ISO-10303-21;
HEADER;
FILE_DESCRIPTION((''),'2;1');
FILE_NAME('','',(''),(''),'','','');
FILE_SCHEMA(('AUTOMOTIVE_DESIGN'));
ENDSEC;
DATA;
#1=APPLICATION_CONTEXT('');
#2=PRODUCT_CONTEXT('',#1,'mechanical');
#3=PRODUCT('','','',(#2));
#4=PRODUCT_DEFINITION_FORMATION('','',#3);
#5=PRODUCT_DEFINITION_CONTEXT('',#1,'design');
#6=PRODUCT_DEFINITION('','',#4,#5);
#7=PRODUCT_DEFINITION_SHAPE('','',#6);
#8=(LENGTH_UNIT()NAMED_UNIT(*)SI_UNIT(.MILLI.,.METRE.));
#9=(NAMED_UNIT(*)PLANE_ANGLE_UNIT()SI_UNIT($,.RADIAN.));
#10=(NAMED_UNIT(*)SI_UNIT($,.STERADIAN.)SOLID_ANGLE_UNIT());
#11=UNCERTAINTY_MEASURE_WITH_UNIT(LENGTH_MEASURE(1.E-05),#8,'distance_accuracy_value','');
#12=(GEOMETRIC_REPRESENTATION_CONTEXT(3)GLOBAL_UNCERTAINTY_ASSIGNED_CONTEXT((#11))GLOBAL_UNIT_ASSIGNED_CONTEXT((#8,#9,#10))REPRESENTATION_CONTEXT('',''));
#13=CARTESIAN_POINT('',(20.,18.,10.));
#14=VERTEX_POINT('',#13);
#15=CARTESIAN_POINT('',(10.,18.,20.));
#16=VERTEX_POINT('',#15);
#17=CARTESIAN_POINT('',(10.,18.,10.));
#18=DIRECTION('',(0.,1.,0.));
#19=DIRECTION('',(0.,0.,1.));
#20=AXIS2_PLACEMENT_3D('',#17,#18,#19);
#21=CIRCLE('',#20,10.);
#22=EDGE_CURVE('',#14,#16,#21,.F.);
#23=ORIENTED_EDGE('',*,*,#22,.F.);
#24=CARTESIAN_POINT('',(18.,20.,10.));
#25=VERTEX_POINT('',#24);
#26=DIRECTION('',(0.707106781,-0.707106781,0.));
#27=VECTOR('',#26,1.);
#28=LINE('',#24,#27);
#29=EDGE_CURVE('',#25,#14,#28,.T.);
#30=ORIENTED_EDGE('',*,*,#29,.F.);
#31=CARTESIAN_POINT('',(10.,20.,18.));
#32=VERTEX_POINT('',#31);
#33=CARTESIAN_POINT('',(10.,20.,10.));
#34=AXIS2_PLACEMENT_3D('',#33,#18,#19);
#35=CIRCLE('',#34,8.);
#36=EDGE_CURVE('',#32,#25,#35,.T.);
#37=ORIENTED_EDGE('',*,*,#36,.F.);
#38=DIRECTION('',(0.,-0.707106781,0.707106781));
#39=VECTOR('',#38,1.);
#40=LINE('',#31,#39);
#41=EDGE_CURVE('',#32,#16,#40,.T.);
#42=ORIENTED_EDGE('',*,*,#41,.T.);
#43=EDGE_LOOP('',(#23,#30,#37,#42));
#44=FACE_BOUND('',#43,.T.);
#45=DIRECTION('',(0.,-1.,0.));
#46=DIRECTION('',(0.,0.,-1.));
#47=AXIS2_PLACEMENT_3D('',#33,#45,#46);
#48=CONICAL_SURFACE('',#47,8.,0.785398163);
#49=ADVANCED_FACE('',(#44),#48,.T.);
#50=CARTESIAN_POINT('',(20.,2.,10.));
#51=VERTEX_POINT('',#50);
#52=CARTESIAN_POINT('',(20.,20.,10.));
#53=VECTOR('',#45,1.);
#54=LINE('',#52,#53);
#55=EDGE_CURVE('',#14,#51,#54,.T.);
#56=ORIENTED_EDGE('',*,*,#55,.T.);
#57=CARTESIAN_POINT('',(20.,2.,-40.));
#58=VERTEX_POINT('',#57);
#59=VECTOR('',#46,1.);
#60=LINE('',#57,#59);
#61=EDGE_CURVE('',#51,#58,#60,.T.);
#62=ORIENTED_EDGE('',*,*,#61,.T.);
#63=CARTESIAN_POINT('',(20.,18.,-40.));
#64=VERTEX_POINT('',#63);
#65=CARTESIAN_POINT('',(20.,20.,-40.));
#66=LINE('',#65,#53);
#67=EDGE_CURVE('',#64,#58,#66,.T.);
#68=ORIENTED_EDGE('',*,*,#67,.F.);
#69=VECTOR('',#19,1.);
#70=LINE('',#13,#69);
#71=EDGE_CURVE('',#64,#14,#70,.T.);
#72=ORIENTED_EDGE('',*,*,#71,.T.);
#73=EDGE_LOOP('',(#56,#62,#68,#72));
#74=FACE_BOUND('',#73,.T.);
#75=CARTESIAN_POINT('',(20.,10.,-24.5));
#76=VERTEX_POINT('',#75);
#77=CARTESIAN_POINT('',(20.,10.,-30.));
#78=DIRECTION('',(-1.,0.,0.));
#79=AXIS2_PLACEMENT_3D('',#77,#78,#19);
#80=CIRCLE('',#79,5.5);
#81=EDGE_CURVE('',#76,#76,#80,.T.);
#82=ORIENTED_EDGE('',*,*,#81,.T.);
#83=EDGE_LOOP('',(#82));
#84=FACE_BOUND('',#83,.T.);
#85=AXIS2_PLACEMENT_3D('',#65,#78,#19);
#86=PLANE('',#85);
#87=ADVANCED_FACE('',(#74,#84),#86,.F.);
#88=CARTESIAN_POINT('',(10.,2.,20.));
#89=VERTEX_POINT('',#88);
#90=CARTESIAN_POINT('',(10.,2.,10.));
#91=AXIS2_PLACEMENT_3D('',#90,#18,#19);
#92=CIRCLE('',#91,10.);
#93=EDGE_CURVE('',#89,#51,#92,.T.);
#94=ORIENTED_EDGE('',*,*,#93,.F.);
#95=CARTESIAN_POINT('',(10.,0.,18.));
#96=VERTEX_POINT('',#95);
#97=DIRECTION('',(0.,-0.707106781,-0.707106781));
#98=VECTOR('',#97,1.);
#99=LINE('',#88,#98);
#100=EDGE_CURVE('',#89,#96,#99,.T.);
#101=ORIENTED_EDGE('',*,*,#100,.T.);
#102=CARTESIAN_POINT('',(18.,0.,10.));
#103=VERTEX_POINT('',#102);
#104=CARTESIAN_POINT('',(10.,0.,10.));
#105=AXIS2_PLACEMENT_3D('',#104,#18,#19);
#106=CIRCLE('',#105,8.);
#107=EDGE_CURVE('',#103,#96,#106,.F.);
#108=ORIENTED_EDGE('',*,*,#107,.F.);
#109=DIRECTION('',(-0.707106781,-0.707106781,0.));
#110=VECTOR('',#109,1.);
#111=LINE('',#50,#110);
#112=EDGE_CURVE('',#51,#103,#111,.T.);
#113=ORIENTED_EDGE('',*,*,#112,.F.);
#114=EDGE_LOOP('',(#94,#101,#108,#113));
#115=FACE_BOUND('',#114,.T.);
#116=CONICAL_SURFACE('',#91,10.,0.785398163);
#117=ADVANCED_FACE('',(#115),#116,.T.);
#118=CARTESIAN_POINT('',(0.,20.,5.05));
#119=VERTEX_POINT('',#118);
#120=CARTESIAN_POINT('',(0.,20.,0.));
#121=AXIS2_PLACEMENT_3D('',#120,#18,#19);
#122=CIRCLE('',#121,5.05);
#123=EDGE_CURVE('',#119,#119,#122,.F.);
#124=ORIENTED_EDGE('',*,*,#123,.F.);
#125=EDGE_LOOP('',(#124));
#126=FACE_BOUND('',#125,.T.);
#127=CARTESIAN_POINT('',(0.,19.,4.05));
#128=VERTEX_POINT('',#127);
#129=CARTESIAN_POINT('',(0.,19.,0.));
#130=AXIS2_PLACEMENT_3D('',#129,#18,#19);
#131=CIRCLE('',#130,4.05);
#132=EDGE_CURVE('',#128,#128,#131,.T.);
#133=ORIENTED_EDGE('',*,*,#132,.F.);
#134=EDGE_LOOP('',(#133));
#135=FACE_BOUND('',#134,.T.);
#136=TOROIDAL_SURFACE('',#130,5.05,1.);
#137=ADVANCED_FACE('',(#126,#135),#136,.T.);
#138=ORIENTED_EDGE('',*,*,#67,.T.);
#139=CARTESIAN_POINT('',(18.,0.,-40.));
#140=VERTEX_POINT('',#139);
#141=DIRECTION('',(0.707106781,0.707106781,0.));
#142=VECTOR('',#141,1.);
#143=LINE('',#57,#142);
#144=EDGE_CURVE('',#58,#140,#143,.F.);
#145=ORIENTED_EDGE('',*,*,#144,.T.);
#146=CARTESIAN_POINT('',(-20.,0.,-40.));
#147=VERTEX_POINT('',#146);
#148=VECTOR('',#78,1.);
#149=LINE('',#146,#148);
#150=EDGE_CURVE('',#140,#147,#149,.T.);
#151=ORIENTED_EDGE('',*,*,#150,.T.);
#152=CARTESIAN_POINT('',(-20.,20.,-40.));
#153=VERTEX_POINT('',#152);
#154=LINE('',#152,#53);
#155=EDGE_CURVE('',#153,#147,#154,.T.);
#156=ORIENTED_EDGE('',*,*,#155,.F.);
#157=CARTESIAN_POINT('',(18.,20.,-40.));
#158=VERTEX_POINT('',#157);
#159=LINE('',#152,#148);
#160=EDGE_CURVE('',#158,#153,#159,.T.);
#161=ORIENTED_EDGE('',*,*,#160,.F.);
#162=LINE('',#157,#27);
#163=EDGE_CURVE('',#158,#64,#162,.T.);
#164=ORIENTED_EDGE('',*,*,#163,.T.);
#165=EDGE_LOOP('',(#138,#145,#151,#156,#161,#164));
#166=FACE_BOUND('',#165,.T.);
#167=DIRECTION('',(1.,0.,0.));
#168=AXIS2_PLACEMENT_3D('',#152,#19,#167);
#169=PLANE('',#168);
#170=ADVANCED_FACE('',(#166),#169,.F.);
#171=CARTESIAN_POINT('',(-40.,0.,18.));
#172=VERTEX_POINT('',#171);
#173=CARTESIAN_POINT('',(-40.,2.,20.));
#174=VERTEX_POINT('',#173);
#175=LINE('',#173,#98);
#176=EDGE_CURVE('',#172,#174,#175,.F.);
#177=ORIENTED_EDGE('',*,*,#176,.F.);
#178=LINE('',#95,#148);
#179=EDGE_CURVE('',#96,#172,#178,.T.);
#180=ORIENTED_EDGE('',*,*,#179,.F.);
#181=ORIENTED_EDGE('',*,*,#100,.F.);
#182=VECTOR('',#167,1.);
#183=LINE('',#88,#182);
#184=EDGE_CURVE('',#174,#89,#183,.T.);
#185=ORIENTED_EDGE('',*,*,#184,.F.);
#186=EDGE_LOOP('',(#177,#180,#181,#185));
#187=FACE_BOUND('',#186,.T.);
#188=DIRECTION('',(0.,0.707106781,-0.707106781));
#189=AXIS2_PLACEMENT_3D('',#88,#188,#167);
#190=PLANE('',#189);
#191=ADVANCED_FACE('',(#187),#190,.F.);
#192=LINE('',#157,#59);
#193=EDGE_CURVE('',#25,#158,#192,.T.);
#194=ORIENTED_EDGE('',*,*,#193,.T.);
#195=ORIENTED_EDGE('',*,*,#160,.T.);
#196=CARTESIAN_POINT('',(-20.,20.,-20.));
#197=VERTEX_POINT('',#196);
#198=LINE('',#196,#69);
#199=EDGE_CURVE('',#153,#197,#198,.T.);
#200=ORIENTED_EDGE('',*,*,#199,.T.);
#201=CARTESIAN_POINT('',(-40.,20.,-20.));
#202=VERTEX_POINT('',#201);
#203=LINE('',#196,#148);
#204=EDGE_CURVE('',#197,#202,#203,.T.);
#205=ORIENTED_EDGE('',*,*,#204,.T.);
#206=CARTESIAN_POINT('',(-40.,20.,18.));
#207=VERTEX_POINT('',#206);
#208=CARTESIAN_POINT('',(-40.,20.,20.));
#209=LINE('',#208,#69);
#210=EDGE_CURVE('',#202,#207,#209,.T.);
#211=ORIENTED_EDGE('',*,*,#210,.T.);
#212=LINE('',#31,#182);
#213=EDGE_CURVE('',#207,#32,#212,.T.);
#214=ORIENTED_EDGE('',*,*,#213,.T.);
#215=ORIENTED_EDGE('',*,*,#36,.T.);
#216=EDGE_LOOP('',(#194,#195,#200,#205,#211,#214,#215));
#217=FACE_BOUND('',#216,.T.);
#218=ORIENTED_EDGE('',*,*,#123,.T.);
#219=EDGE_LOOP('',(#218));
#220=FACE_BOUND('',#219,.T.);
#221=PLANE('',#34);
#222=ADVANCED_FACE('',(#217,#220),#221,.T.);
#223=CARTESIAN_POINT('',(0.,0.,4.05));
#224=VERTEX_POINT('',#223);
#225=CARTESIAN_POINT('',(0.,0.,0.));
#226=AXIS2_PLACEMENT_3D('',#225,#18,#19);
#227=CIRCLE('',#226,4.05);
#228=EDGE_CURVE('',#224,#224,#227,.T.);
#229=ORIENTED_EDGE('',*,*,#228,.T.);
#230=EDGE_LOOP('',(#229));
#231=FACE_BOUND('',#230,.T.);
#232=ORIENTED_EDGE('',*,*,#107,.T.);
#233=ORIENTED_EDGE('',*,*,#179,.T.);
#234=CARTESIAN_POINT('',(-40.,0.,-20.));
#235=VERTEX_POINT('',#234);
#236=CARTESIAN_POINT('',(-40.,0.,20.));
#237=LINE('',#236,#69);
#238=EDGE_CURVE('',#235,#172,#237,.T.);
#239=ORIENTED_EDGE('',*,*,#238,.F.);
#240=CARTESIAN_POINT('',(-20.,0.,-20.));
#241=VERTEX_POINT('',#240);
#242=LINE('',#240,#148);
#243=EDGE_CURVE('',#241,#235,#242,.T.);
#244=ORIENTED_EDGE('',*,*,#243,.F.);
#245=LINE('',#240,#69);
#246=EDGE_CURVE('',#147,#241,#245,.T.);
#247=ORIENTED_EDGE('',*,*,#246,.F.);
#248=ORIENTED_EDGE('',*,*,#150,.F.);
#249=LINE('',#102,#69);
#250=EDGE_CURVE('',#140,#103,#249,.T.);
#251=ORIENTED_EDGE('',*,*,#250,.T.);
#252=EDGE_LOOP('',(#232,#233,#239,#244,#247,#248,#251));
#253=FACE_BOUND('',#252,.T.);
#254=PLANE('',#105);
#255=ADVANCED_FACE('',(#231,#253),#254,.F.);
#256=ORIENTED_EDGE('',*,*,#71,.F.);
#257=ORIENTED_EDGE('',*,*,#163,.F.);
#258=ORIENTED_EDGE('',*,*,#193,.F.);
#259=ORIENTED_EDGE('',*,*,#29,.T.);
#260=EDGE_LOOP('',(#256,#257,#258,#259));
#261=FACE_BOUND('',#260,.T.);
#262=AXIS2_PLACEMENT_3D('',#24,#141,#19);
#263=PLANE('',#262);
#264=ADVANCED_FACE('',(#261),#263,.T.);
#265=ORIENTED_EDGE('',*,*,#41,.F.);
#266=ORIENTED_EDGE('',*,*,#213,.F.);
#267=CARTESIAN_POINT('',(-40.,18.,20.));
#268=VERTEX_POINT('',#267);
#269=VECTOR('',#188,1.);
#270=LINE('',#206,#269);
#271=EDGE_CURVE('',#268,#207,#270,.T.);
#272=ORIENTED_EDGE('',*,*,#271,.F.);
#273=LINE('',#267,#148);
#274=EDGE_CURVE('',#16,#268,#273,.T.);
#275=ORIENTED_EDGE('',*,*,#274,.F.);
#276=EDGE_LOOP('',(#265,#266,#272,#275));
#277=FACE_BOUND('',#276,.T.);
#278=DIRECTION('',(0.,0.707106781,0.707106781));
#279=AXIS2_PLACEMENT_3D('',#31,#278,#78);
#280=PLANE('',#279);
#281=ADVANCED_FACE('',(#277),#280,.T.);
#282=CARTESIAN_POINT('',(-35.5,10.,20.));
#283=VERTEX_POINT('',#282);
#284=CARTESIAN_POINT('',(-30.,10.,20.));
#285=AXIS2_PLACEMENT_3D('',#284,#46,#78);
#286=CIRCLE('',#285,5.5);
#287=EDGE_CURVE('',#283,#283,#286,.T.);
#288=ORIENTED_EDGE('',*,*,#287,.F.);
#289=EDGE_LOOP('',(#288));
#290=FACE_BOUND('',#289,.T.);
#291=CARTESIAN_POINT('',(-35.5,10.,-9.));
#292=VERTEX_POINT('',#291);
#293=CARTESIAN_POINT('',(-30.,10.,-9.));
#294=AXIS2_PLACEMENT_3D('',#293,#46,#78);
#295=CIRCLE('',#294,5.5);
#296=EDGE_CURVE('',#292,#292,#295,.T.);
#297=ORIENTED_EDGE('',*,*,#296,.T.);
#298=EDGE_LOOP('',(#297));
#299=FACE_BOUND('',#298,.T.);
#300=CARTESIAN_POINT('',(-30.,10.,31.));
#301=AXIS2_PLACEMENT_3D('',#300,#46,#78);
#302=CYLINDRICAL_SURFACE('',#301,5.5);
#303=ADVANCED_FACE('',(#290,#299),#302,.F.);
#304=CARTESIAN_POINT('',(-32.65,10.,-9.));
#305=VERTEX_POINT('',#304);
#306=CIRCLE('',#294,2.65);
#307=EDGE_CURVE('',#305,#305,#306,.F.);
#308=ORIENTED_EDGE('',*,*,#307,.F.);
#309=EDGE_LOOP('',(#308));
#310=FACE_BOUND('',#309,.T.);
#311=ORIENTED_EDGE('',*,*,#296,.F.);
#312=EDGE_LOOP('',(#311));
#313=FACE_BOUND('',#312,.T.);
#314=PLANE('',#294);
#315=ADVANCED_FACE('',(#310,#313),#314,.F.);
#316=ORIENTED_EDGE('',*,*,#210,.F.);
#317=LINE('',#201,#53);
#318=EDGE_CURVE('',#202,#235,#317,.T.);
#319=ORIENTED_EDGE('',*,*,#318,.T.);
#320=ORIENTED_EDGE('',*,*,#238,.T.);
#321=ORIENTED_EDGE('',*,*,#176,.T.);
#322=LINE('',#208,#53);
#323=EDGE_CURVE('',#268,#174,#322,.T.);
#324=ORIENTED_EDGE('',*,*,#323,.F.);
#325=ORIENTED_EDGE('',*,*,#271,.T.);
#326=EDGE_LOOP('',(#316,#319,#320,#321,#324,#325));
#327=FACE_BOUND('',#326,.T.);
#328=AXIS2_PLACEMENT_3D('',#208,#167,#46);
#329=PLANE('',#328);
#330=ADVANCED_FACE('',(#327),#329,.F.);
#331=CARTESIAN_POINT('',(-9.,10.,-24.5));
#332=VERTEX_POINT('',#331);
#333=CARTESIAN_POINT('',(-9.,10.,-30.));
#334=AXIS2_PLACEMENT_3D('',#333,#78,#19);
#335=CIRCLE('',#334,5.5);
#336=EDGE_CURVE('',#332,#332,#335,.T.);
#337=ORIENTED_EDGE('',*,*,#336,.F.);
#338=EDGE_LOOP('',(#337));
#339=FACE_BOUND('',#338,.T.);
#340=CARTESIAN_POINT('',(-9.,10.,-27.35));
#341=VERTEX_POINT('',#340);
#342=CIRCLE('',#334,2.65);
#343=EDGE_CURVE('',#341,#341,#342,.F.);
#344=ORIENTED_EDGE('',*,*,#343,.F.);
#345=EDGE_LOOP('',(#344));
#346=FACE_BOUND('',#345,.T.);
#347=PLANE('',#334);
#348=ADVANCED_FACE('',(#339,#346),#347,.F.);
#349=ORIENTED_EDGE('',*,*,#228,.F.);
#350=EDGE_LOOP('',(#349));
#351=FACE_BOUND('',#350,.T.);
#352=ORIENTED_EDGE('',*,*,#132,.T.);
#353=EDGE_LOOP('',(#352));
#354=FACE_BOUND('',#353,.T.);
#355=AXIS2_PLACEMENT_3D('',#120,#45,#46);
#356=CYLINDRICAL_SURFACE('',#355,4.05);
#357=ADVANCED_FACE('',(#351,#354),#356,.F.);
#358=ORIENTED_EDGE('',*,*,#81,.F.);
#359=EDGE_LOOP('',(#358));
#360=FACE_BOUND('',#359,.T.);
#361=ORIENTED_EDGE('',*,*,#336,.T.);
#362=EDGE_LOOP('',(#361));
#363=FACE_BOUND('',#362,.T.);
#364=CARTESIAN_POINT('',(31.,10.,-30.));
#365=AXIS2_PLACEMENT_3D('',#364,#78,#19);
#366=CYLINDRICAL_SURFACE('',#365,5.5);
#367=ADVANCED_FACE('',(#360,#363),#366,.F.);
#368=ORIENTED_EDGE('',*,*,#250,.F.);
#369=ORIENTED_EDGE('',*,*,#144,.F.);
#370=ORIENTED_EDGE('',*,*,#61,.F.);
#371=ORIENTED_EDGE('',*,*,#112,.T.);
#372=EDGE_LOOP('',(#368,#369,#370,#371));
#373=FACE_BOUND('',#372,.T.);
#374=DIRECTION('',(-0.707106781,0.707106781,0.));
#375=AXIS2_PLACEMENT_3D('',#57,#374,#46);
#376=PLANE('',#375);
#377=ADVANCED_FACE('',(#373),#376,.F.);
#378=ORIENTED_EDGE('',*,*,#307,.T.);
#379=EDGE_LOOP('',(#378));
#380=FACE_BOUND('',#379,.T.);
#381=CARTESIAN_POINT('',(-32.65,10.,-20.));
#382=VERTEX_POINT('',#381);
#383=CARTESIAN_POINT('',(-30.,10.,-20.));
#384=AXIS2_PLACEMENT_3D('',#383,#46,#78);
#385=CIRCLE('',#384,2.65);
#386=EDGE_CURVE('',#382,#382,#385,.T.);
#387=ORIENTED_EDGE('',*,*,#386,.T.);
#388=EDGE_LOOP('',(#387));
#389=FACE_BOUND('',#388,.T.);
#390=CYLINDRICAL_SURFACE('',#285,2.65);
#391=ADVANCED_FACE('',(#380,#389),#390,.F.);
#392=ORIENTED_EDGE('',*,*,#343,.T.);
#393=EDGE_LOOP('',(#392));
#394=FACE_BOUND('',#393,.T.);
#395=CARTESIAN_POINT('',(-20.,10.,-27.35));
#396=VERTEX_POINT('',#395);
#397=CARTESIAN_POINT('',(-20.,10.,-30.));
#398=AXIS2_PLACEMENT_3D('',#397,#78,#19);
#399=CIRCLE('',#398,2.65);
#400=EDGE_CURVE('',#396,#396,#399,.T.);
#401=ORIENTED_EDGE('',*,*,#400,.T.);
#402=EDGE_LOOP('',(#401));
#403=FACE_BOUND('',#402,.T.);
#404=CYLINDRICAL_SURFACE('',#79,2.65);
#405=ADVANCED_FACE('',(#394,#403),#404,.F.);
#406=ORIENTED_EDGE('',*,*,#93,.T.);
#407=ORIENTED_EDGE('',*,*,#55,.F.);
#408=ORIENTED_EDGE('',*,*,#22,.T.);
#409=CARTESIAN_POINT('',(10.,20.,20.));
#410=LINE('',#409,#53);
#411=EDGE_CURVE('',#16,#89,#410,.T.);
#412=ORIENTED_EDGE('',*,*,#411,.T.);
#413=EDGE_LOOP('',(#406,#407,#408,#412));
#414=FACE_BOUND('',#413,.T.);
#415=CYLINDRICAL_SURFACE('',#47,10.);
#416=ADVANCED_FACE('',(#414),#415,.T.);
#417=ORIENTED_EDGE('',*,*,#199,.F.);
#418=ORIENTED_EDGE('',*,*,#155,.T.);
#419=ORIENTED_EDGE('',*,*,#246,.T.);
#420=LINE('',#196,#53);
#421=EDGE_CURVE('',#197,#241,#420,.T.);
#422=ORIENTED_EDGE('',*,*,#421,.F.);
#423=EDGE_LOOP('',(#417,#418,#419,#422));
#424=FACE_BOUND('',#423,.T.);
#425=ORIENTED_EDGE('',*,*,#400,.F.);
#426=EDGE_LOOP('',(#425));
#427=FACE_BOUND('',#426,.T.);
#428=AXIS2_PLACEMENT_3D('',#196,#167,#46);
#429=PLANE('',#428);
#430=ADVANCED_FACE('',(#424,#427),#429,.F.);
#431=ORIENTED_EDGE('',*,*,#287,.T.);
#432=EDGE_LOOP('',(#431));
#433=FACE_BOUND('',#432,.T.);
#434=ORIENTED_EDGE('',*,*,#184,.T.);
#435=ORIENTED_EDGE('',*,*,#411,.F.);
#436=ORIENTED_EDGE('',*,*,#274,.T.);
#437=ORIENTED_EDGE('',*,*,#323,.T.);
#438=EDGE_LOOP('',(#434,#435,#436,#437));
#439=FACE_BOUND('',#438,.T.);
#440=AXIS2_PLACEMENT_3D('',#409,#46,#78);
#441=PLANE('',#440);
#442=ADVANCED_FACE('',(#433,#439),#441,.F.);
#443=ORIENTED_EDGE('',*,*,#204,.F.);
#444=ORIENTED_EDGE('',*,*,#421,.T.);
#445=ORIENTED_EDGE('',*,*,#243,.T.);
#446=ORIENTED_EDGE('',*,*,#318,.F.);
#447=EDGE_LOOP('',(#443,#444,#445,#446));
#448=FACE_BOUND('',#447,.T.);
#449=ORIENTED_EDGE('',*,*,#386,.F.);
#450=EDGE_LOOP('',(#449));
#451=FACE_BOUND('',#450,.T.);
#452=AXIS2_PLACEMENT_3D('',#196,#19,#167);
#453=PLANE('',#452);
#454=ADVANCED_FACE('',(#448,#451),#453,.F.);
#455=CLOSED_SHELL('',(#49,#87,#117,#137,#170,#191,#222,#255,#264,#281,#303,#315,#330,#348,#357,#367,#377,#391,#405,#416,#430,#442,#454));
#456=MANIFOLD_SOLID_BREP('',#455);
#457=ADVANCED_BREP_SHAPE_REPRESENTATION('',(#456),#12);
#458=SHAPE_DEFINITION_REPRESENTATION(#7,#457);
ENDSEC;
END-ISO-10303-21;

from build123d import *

# Parameters (mm, degrees)
SKETCH1_R           = 4.05
BOSS_EXTRUDE1_DEPTH = 20
FILLET1_R           = 1
CHAMFER2_SIZE       = 2
SKETCH7_R           = 2.65
CUT_EXTRUDE8_DEPTH  = 40
SKETCH8_R           = 2.65
CUT_EXTRUDE9_DEPTH  = 40
SKETCH9_R           = 5.5
CUT_EXTRUDE10_DEPTH = 40
SKETCH10_R          = 5.5
CUT_EXTRUDE11_DEPTH = 40


with BuildPart() as part:
    # Sketch1 → Boss-Extrude1 (new body)
    with BuildSketch(Plane(origin=(0, 0, 0), x_dir=(1, 0, 0), z_dir=(0, 1, 0))):
        with BuildLine():
            Line((-20, 40), (20, 40))
            Line((20, 40), (20, -10))
            ThreePointArc((20, -10), (17.071067812, -17.071067812), (10, -20))
            Line((10, -20), (-40, -20))
            Line((-40, -20), (-40, 20))
            Line((-40, 20), (-20, 20))
            Line((-20, 20), (-20, 40))
        make_face()
        with Locations(Location((0, 0, 0), (0, 0, 270))):
            Circle(SKETCH1_R, mode=Mode.SUBTRACT)
    extrude(amount=BOSS_EXTRUDE1_DEPTH)

    # Fillet1
    fillet1_edges = [part.edges().sort_by_distance(p)[0] for p in [
        (0, 20, -4.05),
    ]]
    fillet(fillet1_edges, radius=FILLET1_R)

    # Chamfer2
    chamfer2_edges = [part.edges().sort_by_distance(p)[0] for p in [
        (-15, 20, 20),
        (17.071067812, 20, 17.071067812),
        (20, 20, -15),
        (20, 0, -15),
        (17.071067812, 0, 17.071067812),
        (-15, 0, 20),
    ]]
    chamfer(chamfer2_edges, length=CHAMFER2_SIZE)

    # Sketch7 → Cut-Extrude8 (cut)
    with BuildSketch(Plane.ZY.offset(20)):
        with Locations((-30, 10)):
            Circle(SKETCH7_R)
    extrude(amount=-CUT_EXTRUDE8_DEPTH, mode=Mode.SUBTRACT)

    # Sketch8 → Cut-Extrude9 (cut)
    with BuildSketch(Plane(origin=(0, 0, -20), x_dir=(-1, 0, 0), z_dir=(0, 0, -1))):
        with Locations((30, 10)):
            Circle(SKETCH8_R)
    extrude(amount=-CUT_EXTRUDE9_DEPTH, mode=Mode.SUBTRACT)

    # Sketch9 → Cut-Extrude10 (cut)
    with BuildSketch(Plane.ZY.offset(9)):
        with Locations((-30, 10)):
            Circle(SKETCH9_R)
    extrude(amount=-CUT_EXTRUDE10_DEPTH, mode=Mode.SUBTRACT)

    # Sketch10 → Cut-Extrude11 (cut)
    with BuildSketch(Plane(origin=(0, 0, -9), x_dir=(-1, 0, 0), z_dir=(0, 0, -1))):
        with Locations((30, 10)):
            Circle(SKETCH10_R)
    extrude(amount=-CUT_EXTRUDE11_DEPTH, mode=Mode.SUBTRACT)


solid = part.part
